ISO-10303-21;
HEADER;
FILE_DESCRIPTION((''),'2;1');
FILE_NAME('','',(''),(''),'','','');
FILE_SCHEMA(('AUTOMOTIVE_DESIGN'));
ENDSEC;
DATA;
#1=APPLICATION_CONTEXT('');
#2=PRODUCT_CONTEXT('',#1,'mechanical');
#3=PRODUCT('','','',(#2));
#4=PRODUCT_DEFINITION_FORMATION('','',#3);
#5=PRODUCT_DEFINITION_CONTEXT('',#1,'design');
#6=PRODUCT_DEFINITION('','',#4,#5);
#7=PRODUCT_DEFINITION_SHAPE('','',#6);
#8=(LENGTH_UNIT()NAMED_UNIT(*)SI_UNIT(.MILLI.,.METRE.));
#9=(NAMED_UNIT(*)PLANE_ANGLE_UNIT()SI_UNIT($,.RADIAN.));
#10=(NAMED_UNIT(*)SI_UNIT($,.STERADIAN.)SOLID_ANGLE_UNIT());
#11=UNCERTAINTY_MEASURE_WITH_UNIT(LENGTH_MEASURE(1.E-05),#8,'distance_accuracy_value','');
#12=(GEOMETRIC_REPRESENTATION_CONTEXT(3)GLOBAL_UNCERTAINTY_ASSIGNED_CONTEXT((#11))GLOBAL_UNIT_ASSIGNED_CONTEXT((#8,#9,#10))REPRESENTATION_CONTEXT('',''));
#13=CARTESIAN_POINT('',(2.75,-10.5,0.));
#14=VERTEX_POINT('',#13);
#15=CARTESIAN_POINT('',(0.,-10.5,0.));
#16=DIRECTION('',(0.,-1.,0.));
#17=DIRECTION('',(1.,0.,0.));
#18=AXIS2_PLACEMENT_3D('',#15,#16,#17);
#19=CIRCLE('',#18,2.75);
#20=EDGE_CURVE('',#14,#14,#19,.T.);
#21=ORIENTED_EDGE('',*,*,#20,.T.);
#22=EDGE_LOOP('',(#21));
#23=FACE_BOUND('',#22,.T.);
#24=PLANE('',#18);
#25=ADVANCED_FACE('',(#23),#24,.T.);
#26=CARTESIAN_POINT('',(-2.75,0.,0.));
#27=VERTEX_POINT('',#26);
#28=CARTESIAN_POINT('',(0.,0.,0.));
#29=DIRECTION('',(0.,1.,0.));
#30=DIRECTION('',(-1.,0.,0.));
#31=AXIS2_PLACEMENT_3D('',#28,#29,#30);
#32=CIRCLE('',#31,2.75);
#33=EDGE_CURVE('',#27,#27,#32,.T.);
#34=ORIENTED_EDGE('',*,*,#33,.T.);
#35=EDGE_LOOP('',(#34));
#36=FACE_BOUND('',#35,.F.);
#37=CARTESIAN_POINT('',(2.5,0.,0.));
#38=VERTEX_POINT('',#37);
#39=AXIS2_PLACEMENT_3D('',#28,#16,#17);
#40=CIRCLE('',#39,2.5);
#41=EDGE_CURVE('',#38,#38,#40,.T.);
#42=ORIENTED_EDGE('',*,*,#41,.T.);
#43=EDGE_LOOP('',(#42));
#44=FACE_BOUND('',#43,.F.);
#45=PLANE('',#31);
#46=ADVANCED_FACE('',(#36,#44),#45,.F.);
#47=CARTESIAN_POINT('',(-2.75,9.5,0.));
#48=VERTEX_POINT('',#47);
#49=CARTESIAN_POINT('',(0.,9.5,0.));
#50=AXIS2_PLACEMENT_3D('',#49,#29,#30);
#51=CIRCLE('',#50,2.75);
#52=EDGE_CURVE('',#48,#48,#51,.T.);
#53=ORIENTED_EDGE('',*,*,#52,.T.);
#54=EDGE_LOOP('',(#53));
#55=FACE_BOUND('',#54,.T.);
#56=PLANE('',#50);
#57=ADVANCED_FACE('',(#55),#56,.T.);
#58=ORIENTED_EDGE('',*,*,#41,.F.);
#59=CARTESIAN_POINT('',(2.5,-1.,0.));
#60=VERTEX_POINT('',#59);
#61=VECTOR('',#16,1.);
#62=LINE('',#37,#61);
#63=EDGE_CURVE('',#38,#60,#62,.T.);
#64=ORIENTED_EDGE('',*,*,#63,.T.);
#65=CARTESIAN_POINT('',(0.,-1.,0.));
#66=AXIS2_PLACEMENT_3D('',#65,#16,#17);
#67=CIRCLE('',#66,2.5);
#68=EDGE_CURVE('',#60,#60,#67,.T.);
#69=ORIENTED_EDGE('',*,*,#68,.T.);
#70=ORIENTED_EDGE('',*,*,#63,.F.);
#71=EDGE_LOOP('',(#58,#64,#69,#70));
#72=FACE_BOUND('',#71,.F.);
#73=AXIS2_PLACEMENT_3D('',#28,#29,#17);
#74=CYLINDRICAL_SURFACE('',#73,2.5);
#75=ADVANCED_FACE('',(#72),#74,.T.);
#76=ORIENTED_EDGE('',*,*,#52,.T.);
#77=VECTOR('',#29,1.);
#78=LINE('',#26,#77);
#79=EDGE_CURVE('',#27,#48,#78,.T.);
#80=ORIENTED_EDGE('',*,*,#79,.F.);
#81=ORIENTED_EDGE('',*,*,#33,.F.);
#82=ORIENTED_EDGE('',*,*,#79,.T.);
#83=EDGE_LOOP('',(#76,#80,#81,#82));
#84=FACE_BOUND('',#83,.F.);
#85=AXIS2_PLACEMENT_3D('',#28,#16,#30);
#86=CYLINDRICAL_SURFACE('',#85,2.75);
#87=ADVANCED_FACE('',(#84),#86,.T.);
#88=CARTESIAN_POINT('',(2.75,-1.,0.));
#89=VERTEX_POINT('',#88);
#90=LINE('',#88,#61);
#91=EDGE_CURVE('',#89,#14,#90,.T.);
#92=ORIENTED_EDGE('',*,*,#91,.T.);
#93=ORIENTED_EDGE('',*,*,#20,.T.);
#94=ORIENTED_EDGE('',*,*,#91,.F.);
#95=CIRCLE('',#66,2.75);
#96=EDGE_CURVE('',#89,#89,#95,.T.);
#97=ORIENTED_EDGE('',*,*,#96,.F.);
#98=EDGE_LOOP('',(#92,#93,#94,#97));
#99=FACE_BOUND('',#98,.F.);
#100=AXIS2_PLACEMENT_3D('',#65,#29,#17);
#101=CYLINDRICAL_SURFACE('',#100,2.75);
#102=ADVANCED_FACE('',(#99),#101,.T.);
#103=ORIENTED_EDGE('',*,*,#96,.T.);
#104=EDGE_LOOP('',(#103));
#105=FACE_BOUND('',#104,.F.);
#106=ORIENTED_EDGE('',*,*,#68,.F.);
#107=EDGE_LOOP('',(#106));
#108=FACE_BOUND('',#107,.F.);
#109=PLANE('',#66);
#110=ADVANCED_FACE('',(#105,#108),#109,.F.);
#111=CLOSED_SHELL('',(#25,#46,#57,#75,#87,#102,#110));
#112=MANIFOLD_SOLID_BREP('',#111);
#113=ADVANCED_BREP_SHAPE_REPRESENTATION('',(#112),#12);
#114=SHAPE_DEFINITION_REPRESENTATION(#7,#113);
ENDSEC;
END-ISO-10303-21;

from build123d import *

# Parameters (mm, degrees)
F0_R     = 2.5
F1_DEPTH = 1
F2_R     = 2.75
F3_DEPTH = 9.5
F4_R     = 2.75
F5_DEPTH = 9.5


with BuildPart() as f1:
    # F0 (on Front) → F1 (new body)
    with BuildSketch(Plane.XZ):
        Circle(F0_R)
    extrude(amount=F1_DEPTH)

    # F2 (on face) → F3 (join)
    with BuildSketch(Plane(origin=(0, 0, 0), x_dir=(-1, 0, 0), z_dir=(0, 1, 0))):
        Circle(F2_R)
    extrude(amount=F3_DEPTH)

    # F4 (on face) → F5 (join)
    with BuildSketch(Plane.XZ.offset(1)):
        Circle(F4_R)
    extrude(amount=F5_DEPTH)


solid = f1.part
